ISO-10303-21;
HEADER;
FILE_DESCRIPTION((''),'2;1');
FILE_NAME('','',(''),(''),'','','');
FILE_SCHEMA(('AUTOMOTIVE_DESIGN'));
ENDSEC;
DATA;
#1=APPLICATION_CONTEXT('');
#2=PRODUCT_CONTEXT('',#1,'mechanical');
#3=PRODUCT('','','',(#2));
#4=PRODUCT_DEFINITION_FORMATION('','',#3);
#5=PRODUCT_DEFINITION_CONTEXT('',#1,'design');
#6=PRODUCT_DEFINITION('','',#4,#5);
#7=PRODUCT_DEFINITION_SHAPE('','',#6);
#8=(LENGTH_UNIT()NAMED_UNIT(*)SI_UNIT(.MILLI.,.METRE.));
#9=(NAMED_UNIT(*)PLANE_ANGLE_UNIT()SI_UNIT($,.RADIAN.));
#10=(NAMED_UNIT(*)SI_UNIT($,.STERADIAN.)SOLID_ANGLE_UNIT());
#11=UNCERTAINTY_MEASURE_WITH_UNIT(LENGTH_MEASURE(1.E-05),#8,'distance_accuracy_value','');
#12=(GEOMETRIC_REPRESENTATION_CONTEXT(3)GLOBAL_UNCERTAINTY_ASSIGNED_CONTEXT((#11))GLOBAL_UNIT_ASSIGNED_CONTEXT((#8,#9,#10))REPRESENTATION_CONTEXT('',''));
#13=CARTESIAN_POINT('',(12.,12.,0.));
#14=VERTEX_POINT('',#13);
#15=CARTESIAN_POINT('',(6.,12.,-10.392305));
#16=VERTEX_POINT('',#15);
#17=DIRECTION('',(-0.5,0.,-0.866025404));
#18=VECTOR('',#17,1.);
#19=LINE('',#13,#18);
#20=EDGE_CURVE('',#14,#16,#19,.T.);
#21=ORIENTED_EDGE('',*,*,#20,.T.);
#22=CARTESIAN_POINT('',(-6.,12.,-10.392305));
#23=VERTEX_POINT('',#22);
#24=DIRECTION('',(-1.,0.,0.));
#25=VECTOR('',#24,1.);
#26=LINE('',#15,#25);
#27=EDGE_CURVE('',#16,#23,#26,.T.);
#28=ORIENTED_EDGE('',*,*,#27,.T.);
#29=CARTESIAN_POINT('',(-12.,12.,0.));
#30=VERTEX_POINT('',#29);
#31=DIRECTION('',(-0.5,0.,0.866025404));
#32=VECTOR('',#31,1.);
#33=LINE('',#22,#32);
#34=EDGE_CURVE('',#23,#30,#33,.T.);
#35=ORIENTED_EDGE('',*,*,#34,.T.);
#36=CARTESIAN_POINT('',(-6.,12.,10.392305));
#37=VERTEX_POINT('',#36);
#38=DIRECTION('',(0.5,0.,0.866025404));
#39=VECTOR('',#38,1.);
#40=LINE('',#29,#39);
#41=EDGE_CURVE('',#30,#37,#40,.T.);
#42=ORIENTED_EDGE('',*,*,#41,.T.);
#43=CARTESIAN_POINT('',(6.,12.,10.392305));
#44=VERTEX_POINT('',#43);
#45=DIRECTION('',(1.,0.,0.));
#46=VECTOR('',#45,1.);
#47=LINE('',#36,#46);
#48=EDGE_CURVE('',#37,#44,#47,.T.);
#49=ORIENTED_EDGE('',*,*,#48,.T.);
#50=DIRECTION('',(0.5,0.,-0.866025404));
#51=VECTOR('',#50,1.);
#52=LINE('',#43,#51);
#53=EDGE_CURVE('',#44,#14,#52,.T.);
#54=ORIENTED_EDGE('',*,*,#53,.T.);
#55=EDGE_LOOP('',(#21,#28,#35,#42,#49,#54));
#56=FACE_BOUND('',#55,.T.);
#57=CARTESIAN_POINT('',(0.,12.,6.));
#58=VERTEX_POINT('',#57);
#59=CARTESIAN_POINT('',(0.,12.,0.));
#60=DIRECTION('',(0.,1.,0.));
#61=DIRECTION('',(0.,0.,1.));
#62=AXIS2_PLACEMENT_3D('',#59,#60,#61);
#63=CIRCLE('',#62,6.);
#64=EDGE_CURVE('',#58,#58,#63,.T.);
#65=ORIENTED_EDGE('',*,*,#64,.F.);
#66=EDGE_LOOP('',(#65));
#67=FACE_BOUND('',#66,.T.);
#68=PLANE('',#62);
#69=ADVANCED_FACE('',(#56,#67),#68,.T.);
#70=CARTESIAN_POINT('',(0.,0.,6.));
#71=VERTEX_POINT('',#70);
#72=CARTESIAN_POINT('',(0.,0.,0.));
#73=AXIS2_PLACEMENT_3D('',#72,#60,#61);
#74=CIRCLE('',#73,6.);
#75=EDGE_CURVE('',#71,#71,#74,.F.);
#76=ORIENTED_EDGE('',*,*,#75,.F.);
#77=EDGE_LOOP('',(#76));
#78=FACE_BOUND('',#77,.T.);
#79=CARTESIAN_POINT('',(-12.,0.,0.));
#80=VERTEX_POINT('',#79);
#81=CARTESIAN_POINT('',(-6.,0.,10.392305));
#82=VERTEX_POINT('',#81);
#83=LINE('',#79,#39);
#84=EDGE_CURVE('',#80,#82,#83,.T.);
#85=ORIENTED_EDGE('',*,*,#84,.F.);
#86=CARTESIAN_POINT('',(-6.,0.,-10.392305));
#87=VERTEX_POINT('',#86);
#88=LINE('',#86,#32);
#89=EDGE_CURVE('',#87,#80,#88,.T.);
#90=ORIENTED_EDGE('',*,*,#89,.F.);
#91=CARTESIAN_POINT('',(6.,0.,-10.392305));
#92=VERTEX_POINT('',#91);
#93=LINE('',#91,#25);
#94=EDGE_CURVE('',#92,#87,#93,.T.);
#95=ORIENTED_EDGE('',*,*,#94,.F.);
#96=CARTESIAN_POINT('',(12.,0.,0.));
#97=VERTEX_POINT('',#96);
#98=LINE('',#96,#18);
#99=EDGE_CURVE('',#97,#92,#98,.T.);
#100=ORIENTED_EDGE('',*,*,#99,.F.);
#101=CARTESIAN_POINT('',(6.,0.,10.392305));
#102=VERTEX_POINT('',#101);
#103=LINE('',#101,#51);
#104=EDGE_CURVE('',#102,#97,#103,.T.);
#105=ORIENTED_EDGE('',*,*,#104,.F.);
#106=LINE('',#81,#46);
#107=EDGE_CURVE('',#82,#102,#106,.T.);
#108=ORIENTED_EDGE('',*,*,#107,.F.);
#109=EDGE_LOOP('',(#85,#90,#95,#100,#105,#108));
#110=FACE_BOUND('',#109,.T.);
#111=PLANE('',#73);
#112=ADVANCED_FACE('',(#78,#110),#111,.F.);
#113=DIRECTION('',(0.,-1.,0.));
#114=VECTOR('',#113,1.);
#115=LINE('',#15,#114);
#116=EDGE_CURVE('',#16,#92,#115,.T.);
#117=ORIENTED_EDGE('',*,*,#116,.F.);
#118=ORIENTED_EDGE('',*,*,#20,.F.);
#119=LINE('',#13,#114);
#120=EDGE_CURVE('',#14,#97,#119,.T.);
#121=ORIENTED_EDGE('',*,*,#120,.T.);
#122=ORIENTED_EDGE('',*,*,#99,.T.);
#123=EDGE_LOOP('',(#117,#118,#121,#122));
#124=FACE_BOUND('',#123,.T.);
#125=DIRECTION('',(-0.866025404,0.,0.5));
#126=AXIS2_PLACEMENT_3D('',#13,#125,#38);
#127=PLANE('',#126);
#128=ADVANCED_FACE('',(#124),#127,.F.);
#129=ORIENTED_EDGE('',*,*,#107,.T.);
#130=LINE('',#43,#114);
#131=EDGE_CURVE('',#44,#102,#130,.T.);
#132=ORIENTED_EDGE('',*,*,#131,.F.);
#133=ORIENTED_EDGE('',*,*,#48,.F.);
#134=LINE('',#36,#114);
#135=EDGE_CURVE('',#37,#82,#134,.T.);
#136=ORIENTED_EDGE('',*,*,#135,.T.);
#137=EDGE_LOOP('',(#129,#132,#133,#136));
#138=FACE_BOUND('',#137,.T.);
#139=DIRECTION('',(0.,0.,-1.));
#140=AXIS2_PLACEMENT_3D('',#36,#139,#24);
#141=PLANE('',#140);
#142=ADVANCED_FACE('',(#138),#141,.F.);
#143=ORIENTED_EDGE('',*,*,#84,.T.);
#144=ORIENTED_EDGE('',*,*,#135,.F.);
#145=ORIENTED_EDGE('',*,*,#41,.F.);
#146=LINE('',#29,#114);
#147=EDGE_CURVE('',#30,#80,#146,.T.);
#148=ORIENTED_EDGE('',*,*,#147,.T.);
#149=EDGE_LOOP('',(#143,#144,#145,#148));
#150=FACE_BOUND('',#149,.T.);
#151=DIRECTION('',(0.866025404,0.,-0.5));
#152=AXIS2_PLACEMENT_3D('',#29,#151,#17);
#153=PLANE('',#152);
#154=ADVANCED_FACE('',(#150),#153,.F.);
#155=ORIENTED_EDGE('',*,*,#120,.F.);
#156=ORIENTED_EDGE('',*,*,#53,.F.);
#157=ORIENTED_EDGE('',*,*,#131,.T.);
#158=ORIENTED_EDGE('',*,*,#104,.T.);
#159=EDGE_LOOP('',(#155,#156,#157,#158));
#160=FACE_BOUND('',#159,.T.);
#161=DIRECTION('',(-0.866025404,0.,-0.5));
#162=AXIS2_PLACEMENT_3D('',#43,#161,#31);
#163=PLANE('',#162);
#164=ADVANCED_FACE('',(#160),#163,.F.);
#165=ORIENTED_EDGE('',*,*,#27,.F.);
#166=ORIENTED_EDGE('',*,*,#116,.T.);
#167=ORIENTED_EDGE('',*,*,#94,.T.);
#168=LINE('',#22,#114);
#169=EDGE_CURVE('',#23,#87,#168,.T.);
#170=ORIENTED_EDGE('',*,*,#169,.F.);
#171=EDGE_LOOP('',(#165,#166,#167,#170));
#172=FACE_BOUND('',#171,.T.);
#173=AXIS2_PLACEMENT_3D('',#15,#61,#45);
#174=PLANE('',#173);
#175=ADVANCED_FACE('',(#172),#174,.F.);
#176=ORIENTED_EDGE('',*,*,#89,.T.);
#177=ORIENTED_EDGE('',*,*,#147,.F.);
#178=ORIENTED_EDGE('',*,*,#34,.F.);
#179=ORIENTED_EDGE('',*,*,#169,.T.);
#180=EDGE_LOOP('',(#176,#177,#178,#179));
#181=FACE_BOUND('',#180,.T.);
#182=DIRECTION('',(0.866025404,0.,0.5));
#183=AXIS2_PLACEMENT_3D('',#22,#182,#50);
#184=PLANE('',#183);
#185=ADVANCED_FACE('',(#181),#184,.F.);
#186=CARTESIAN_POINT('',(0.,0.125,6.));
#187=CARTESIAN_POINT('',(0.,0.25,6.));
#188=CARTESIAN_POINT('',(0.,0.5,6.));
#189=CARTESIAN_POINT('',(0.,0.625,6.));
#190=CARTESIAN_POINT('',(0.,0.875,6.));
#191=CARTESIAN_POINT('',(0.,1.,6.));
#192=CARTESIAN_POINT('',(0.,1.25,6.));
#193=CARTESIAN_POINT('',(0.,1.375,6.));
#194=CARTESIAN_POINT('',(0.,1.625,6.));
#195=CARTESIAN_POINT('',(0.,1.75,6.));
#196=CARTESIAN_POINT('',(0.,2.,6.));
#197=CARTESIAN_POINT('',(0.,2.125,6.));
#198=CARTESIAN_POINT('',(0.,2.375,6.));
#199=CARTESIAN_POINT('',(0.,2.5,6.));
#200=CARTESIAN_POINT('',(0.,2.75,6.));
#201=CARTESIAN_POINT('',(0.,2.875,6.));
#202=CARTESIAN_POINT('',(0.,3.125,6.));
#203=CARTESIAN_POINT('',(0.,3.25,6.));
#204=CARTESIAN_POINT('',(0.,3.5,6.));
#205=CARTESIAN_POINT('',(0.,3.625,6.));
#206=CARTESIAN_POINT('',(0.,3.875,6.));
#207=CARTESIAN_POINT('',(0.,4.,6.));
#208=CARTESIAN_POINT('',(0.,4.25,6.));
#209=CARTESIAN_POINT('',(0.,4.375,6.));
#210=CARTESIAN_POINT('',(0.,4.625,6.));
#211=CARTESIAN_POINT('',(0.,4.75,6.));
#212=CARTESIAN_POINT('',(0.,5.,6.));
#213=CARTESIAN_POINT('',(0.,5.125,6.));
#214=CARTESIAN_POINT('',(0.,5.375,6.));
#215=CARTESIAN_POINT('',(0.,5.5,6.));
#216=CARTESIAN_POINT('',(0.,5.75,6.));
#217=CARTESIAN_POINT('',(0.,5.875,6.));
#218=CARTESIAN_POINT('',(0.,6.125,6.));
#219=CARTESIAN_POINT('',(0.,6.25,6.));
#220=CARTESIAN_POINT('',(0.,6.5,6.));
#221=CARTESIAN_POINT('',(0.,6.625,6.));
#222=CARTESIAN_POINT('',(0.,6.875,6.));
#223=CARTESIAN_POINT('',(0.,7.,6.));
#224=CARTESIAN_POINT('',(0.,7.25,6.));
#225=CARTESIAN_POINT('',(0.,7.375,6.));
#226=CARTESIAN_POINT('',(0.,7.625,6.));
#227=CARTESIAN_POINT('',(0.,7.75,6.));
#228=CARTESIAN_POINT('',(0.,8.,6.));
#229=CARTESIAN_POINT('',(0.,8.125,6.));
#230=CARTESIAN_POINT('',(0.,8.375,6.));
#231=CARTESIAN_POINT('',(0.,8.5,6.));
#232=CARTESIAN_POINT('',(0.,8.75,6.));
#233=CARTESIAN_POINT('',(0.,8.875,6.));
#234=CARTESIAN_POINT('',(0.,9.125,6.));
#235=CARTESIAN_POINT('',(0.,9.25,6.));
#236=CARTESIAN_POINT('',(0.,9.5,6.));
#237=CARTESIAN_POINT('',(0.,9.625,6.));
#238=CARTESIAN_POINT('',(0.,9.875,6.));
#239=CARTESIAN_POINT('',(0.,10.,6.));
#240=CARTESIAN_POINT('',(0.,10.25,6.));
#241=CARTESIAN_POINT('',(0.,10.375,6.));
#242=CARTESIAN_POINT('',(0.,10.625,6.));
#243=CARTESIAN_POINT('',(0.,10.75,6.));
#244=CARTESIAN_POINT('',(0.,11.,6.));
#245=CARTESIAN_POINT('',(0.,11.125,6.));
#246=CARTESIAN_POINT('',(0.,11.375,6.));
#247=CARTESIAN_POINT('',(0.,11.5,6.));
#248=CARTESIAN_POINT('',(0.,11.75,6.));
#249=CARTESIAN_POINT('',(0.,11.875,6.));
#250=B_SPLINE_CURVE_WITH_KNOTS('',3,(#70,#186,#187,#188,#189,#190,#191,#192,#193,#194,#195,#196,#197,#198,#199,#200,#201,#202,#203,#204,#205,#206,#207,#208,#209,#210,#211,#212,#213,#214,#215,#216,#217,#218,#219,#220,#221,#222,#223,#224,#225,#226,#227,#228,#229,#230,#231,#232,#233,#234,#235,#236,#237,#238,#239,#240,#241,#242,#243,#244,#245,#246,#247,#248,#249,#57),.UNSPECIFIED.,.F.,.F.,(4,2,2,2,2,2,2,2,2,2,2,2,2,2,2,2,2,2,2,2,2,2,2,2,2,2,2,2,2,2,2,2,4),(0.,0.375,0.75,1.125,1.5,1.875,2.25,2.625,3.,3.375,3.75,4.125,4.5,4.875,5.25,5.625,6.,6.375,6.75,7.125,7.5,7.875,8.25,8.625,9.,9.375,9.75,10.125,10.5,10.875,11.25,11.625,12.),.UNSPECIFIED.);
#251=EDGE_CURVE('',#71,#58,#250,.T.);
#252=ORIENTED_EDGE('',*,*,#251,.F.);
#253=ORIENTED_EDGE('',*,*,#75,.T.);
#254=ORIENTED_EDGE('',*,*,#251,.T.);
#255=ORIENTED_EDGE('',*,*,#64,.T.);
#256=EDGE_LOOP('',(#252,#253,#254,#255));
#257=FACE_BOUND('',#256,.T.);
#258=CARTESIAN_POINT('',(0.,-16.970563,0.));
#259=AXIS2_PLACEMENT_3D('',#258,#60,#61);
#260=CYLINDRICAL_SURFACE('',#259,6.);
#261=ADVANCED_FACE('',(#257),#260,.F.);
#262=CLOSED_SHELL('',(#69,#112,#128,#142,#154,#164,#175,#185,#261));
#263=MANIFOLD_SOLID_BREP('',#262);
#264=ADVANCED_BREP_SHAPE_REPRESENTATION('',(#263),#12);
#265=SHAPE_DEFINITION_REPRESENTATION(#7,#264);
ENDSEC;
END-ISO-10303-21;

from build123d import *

# Parameters (mm, degrees)
BOSS_EXTRUDE1_DEPTH = 12
SKETCH2_R           = 6
CUT_EXTRUDE1_DEPTH  = 12


with BuildPart() as part:
    # Sketch1 → Boss-Extrude1 (new body)
    with BuildSketch(Plane(origin=(0, 0, 0), x_dir=(1, 0, 0), z_dir=(0, 1, 0))):
        Polygon((6, -10.392304845), (12, 0), (6, 10.392304845), (-6, 10.392304845), (-12, 0), (-6, -10.392304845), align=None)
    extrude(amount=BOSS_EXTRUDE1_DEPTH)

    # Sketch2 → Cut-Extrude1 (cut)
    with BuildSketch(Plane(origin=(0, 12, 0), x_dir=(1, 0, 0), z_dir=(0, 1, 0))):
        with Locations(Location((0, 0, 0), (0, 0, 270))):
            Circle(SKETCH2_R)
    extrude(amount=-CUT_EXTRUDE1_DEPTH, mode=Mode.SUBTRACT)


solid = part.part
